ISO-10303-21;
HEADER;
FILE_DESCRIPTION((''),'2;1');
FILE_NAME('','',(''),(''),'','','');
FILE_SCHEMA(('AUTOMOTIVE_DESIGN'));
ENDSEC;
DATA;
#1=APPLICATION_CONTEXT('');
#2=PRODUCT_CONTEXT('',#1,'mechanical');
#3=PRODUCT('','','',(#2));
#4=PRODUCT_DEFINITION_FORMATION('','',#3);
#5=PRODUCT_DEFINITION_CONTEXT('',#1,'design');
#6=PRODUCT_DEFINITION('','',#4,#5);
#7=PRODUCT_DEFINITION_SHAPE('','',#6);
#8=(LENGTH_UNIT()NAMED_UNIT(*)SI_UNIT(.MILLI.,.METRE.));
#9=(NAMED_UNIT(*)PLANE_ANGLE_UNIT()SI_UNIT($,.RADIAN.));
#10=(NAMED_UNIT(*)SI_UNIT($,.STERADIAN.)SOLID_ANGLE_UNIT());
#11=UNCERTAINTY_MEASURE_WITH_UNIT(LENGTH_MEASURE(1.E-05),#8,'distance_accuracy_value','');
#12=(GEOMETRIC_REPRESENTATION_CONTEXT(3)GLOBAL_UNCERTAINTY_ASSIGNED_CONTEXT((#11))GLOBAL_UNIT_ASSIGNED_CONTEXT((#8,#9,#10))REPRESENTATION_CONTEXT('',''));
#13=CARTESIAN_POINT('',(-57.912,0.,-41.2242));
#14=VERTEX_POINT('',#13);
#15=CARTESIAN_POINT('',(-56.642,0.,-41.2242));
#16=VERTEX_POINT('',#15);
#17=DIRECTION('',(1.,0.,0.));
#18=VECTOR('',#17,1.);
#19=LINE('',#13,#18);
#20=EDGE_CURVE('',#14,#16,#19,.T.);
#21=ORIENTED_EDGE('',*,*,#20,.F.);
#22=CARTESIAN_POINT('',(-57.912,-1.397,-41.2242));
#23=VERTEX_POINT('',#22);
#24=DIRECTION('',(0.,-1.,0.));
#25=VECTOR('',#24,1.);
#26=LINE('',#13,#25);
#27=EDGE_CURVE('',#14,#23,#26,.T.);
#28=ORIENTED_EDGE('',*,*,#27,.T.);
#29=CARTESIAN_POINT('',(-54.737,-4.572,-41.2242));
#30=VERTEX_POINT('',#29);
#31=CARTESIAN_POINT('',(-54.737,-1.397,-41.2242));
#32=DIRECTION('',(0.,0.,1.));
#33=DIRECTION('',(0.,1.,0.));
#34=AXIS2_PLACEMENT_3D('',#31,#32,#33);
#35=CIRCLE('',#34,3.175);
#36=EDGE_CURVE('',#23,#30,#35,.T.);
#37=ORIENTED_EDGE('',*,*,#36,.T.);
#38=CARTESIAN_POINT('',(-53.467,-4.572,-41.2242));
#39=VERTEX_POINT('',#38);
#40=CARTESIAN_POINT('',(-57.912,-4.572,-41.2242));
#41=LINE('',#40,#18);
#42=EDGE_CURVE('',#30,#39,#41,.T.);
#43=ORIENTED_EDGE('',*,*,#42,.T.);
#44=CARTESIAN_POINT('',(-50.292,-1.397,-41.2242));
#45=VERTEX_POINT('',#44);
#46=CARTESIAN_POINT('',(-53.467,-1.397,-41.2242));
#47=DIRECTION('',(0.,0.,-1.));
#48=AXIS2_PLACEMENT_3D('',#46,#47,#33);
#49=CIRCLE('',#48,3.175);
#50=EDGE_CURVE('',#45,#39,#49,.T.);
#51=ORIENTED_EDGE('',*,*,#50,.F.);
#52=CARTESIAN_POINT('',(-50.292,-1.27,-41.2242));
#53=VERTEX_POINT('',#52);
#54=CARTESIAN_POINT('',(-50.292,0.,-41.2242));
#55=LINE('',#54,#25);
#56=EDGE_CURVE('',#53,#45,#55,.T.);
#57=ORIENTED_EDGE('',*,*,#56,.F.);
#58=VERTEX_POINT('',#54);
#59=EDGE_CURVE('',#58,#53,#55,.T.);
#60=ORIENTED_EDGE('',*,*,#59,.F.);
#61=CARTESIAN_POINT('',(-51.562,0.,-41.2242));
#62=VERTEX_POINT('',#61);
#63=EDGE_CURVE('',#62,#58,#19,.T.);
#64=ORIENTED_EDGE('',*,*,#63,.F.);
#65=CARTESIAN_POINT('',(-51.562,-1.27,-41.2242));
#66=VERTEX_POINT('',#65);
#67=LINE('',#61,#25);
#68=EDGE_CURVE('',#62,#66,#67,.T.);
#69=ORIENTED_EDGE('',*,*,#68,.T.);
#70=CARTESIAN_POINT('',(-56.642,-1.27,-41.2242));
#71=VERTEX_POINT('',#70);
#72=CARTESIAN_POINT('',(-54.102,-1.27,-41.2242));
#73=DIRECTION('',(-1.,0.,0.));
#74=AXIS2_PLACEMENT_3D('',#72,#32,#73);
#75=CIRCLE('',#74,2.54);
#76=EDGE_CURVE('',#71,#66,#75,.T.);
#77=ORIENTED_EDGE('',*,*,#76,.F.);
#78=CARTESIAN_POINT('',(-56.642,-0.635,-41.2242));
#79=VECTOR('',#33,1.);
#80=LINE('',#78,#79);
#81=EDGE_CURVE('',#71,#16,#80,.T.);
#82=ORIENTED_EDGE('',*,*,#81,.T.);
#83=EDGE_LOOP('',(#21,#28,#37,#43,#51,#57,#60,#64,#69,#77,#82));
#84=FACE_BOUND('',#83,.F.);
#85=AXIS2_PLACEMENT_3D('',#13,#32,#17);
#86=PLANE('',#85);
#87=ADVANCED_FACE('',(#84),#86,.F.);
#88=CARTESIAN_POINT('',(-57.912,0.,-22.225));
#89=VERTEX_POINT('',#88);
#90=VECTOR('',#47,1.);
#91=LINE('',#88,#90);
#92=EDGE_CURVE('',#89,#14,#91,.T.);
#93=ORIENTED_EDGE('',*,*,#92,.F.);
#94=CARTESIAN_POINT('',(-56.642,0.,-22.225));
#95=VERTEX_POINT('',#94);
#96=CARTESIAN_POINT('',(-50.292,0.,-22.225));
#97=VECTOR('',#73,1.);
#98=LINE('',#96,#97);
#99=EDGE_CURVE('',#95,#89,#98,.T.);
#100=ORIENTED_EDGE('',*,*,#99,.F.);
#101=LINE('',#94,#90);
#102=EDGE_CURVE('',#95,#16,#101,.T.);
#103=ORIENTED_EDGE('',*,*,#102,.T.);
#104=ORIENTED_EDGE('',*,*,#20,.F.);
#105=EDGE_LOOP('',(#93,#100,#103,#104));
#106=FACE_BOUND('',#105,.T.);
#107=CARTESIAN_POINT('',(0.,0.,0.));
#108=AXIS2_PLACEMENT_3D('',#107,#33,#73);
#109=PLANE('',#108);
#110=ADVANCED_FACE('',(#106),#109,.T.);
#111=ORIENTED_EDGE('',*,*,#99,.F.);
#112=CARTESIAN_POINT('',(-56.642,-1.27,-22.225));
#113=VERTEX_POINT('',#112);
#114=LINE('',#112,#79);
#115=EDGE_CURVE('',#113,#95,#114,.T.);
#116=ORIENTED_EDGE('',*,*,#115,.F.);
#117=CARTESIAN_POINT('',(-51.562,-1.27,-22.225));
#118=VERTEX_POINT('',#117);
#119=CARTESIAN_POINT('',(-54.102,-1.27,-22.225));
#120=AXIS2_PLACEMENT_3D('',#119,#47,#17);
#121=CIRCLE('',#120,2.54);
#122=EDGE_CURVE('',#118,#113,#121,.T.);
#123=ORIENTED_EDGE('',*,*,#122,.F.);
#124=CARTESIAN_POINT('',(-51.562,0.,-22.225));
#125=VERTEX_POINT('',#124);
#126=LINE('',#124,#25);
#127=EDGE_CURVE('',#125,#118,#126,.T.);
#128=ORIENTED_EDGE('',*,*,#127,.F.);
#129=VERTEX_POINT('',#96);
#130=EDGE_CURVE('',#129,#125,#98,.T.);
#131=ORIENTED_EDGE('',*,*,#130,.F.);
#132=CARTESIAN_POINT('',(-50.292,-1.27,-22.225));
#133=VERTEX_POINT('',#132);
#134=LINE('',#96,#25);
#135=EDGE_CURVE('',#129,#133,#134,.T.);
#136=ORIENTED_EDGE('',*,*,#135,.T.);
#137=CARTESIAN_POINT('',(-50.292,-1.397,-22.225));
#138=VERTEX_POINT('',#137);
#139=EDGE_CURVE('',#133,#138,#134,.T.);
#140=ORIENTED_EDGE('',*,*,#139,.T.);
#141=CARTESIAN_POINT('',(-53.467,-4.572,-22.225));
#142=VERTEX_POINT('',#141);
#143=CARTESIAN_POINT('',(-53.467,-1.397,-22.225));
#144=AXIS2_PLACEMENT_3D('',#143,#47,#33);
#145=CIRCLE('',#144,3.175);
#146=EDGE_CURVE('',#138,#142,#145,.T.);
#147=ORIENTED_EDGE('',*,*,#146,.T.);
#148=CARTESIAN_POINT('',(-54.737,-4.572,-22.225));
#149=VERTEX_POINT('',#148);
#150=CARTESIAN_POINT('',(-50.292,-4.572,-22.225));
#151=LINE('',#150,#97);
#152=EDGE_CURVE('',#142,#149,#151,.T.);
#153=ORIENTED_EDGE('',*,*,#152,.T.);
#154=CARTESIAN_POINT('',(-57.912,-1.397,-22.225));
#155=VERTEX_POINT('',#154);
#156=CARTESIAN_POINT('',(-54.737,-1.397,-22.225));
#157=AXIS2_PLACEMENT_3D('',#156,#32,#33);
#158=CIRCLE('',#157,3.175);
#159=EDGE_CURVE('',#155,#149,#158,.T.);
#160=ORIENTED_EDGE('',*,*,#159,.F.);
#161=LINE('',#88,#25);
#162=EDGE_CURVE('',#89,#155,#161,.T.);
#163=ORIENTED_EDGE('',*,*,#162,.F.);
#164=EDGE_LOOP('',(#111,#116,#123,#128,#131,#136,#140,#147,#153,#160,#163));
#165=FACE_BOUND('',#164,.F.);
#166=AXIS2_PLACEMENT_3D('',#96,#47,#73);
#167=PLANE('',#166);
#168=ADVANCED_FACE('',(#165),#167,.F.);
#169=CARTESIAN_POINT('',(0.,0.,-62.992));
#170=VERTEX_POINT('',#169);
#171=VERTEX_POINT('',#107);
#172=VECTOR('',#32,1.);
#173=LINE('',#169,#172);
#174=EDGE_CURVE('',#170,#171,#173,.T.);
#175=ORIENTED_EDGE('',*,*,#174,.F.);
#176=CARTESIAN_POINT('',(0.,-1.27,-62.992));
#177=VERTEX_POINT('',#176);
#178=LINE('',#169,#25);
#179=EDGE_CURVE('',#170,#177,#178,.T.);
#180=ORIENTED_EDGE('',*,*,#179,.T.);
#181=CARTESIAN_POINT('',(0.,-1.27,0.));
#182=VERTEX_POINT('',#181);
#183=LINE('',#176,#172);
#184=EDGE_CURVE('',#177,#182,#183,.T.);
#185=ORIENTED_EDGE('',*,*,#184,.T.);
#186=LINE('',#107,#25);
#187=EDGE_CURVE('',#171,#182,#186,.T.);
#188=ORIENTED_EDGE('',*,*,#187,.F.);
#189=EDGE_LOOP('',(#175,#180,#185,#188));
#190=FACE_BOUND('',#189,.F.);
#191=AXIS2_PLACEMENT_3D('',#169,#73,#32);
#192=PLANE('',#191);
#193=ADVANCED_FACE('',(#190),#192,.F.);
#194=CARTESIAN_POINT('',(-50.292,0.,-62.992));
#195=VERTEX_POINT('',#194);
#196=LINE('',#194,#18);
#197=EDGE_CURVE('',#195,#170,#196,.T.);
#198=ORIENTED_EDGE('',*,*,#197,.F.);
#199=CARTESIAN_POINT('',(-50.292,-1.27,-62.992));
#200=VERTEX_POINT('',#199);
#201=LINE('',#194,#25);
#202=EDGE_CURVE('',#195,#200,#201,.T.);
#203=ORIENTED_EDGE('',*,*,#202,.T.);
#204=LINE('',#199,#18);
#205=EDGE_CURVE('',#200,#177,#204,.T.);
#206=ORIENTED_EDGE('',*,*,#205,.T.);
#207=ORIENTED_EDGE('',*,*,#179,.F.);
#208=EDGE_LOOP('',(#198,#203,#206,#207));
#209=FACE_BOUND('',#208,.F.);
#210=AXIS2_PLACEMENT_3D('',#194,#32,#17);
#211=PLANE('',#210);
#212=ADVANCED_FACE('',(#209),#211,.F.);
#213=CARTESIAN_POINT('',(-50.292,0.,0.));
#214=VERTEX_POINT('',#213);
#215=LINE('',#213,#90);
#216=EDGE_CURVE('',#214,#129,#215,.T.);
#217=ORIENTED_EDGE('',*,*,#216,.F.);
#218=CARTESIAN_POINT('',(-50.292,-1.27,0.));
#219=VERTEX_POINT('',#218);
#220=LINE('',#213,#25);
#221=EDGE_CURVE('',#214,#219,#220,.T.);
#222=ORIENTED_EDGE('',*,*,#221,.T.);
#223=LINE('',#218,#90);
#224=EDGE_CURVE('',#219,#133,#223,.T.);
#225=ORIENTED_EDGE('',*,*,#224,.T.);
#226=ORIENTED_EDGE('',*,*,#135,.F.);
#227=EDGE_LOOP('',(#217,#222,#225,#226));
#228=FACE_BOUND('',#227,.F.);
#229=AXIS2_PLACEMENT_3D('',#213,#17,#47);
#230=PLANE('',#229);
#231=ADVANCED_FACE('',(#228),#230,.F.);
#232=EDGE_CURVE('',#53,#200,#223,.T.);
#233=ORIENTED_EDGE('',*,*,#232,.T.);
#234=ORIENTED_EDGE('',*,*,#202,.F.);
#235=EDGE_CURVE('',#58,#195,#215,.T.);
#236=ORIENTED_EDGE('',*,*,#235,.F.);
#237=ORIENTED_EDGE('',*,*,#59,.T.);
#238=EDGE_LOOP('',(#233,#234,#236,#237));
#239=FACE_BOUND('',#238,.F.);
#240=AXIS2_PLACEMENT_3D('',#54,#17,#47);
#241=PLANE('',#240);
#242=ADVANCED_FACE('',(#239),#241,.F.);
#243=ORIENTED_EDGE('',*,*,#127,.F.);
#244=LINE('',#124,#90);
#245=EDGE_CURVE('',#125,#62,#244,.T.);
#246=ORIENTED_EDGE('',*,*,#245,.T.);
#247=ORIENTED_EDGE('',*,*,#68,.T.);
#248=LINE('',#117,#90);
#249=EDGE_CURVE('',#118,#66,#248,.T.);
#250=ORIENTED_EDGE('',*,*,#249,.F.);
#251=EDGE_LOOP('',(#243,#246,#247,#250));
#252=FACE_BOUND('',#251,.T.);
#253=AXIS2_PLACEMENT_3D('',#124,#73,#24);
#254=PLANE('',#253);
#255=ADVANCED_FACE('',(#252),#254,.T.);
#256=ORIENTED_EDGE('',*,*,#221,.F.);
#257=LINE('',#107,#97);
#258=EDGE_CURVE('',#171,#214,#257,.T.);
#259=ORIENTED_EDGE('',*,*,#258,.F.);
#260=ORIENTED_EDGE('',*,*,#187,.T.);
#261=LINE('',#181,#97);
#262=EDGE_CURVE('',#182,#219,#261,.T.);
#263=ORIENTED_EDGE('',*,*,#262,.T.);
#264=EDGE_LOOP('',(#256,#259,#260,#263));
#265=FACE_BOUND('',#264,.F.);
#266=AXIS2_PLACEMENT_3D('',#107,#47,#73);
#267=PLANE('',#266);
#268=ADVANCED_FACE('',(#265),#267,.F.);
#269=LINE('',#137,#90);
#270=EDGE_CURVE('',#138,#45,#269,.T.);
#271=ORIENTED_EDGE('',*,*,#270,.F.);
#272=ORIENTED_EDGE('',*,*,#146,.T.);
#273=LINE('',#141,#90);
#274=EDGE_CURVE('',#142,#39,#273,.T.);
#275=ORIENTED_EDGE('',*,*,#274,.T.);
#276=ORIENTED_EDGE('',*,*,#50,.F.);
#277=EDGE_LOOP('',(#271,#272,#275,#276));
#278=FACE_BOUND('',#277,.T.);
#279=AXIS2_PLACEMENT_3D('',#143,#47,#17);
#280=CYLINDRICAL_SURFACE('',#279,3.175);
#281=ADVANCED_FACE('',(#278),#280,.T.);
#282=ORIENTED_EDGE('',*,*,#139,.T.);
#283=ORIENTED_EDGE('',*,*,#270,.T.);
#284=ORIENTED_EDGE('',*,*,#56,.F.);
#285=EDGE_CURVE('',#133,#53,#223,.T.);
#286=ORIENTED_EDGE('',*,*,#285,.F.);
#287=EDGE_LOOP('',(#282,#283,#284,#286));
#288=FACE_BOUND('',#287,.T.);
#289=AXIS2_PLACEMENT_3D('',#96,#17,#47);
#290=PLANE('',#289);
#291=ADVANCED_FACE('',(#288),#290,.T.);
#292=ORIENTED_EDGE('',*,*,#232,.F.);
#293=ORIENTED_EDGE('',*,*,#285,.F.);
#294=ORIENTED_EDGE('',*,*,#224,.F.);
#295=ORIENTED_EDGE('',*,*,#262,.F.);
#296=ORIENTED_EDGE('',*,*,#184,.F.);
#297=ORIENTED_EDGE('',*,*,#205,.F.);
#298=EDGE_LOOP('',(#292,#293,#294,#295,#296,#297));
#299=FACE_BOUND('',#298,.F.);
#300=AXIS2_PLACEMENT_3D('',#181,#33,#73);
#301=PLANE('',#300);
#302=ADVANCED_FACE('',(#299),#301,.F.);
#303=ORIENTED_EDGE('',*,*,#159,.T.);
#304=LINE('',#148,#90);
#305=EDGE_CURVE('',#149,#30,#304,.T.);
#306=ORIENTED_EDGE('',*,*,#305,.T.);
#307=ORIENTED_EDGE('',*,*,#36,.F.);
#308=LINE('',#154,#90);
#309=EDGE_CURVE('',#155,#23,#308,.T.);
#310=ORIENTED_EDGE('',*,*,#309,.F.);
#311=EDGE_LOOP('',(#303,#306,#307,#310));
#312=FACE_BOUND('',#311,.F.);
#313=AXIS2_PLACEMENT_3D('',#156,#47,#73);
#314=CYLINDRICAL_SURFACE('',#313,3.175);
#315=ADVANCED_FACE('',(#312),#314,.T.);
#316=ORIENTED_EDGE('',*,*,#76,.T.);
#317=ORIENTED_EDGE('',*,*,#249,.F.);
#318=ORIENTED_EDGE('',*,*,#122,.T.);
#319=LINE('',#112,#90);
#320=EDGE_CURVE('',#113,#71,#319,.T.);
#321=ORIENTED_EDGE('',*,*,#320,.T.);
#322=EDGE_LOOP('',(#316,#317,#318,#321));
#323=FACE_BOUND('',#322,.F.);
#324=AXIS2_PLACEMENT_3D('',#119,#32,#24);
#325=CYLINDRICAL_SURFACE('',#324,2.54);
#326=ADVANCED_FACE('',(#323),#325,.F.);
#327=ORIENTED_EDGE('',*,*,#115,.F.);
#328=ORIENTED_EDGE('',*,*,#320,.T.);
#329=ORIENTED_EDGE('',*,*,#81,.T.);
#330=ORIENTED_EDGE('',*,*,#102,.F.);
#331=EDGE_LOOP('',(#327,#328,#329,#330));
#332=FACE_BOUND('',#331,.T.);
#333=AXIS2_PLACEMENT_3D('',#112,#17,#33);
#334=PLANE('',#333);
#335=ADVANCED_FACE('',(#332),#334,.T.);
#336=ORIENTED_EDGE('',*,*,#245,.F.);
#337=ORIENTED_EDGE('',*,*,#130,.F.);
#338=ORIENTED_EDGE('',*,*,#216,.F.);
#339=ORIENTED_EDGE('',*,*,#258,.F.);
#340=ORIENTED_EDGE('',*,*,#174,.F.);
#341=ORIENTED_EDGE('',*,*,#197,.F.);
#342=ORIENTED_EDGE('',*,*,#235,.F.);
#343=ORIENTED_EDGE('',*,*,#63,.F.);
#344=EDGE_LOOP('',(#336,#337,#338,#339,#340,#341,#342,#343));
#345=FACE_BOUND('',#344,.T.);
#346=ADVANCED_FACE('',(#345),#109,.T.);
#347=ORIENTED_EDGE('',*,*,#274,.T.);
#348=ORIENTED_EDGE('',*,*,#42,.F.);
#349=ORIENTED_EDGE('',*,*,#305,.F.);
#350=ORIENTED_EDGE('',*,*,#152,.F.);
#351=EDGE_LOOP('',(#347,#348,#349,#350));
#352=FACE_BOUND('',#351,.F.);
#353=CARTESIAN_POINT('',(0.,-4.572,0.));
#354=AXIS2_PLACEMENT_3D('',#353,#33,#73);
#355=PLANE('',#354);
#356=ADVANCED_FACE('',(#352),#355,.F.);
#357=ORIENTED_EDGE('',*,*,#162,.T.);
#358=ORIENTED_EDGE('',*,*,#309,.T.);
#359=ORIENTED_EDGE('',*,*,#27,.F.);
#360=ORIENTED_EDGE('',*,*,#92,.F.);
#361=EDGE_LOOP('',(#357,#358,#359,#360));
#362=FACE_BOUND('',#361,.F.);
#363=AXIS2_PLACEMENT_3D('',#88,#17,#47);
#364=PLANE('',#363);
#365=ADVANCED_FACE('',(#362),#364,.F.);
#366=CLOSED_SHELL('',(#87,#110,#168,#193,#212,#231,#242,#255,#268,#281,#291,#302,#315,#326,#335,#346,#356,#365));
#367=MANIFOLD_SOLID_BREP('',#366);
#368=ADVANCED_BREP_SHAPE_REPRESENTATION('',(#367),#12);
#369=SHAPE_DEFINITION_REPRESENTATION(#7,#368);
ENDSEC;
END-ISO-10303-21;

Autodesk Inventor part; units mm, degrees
ref_plane "YZ Plane" through (0, 0, 0) normal (1, 0, 0) x (0, 1, 0)
ref_plane "XZ Plane" through (0, 0, 0) normal (0, 1, 0) x (-1, 0, 0)
ref_plane "XY Plane" through (0, 0, 0) normal (0, 0, 1) x (1, 0, 0)
sketch "Sketch1" plane through (0, 0, 0) normal (0, 1, 0) x (-1, 0, 0)
  line L0 (0, 0) -> (50.292, 0)
  line L1 (50.292, 0) -> (50.292, -62.992)
  line L2 (50.292, -62.992) -> (0, -62.992)
  line L3 (0, -62.992) -> (0, 0)
  line L4 (50.292, -22.225) -> (57.912, -22.225)
  line L5 (57.912, -22.225) -> (57.912, -41.2242)
  line L6 (57.912, -41.2242) -> (50.292, -41.2242)
  line L7 (50.292, -41.2242) -> (50.292, -22.225)
  dimension "d0" = 50.292
  dimension "d1" = 62.992
  dimension "d2" = 7.62
  dimension "d3" = 18.9992
  dimension "d4" = 22.225
extrude "Extrusion1" add sketch "Sketch1" against normal blind 1.27 contours L0 L1 L2 L3
extrude "Extrusion2" add sketch "Sketch1" against normal blind 4.572 contours L4 L5 L6 L1
sketch "Sketch2" plane through (-57.912, 0, -22.225) normal (0, 0, 1) x (1, 0, 0)
  line L0 (7.62, 0) -> (0, 0) projected
  line L1 (1.27, 0) -> (6.35, 0)
  line L2 (6.35, 0) -> (6.35, -1.27)
  line L3 (3.81, -3.81) -> (3.81, -3.81)
  line L4 (1.27, -1.27) -> (1.27, 0)
  line L5 (0, 0) -> (0, -4.572) projected
  arc A0 (1.27, -1.27) -> (3.81, -3.81) centre (3.81, -1.27) ccw
  arc A1 (3.81, -3.81) -> (6.35, -1.27) centre (3.81, -1.27) ccw
  point P0 (57.912, 0)
  point P1 (6.35, -3.81)
  point P2 (1.27, -3.81)
  point P3 (3.81, -3.81)
  point P4 (6.35, 0)
  dimension "d9" = 5.08
  dimension "d10" = 3.81
  dimension "d11" = 1.27
  dimension "d12" = 2.54
  dimension "d13" = 2.54
extrude "Extrusion3" cut sketch "Sketch2" against normal through all
fillet "Fillet1" radius 3.175 2 edges at (-50.292, -4.572, -31.7246) (-57.912, -4.572, -31.7246)
properties part number "Battery Cover" material "PC/ABS Plastic"
